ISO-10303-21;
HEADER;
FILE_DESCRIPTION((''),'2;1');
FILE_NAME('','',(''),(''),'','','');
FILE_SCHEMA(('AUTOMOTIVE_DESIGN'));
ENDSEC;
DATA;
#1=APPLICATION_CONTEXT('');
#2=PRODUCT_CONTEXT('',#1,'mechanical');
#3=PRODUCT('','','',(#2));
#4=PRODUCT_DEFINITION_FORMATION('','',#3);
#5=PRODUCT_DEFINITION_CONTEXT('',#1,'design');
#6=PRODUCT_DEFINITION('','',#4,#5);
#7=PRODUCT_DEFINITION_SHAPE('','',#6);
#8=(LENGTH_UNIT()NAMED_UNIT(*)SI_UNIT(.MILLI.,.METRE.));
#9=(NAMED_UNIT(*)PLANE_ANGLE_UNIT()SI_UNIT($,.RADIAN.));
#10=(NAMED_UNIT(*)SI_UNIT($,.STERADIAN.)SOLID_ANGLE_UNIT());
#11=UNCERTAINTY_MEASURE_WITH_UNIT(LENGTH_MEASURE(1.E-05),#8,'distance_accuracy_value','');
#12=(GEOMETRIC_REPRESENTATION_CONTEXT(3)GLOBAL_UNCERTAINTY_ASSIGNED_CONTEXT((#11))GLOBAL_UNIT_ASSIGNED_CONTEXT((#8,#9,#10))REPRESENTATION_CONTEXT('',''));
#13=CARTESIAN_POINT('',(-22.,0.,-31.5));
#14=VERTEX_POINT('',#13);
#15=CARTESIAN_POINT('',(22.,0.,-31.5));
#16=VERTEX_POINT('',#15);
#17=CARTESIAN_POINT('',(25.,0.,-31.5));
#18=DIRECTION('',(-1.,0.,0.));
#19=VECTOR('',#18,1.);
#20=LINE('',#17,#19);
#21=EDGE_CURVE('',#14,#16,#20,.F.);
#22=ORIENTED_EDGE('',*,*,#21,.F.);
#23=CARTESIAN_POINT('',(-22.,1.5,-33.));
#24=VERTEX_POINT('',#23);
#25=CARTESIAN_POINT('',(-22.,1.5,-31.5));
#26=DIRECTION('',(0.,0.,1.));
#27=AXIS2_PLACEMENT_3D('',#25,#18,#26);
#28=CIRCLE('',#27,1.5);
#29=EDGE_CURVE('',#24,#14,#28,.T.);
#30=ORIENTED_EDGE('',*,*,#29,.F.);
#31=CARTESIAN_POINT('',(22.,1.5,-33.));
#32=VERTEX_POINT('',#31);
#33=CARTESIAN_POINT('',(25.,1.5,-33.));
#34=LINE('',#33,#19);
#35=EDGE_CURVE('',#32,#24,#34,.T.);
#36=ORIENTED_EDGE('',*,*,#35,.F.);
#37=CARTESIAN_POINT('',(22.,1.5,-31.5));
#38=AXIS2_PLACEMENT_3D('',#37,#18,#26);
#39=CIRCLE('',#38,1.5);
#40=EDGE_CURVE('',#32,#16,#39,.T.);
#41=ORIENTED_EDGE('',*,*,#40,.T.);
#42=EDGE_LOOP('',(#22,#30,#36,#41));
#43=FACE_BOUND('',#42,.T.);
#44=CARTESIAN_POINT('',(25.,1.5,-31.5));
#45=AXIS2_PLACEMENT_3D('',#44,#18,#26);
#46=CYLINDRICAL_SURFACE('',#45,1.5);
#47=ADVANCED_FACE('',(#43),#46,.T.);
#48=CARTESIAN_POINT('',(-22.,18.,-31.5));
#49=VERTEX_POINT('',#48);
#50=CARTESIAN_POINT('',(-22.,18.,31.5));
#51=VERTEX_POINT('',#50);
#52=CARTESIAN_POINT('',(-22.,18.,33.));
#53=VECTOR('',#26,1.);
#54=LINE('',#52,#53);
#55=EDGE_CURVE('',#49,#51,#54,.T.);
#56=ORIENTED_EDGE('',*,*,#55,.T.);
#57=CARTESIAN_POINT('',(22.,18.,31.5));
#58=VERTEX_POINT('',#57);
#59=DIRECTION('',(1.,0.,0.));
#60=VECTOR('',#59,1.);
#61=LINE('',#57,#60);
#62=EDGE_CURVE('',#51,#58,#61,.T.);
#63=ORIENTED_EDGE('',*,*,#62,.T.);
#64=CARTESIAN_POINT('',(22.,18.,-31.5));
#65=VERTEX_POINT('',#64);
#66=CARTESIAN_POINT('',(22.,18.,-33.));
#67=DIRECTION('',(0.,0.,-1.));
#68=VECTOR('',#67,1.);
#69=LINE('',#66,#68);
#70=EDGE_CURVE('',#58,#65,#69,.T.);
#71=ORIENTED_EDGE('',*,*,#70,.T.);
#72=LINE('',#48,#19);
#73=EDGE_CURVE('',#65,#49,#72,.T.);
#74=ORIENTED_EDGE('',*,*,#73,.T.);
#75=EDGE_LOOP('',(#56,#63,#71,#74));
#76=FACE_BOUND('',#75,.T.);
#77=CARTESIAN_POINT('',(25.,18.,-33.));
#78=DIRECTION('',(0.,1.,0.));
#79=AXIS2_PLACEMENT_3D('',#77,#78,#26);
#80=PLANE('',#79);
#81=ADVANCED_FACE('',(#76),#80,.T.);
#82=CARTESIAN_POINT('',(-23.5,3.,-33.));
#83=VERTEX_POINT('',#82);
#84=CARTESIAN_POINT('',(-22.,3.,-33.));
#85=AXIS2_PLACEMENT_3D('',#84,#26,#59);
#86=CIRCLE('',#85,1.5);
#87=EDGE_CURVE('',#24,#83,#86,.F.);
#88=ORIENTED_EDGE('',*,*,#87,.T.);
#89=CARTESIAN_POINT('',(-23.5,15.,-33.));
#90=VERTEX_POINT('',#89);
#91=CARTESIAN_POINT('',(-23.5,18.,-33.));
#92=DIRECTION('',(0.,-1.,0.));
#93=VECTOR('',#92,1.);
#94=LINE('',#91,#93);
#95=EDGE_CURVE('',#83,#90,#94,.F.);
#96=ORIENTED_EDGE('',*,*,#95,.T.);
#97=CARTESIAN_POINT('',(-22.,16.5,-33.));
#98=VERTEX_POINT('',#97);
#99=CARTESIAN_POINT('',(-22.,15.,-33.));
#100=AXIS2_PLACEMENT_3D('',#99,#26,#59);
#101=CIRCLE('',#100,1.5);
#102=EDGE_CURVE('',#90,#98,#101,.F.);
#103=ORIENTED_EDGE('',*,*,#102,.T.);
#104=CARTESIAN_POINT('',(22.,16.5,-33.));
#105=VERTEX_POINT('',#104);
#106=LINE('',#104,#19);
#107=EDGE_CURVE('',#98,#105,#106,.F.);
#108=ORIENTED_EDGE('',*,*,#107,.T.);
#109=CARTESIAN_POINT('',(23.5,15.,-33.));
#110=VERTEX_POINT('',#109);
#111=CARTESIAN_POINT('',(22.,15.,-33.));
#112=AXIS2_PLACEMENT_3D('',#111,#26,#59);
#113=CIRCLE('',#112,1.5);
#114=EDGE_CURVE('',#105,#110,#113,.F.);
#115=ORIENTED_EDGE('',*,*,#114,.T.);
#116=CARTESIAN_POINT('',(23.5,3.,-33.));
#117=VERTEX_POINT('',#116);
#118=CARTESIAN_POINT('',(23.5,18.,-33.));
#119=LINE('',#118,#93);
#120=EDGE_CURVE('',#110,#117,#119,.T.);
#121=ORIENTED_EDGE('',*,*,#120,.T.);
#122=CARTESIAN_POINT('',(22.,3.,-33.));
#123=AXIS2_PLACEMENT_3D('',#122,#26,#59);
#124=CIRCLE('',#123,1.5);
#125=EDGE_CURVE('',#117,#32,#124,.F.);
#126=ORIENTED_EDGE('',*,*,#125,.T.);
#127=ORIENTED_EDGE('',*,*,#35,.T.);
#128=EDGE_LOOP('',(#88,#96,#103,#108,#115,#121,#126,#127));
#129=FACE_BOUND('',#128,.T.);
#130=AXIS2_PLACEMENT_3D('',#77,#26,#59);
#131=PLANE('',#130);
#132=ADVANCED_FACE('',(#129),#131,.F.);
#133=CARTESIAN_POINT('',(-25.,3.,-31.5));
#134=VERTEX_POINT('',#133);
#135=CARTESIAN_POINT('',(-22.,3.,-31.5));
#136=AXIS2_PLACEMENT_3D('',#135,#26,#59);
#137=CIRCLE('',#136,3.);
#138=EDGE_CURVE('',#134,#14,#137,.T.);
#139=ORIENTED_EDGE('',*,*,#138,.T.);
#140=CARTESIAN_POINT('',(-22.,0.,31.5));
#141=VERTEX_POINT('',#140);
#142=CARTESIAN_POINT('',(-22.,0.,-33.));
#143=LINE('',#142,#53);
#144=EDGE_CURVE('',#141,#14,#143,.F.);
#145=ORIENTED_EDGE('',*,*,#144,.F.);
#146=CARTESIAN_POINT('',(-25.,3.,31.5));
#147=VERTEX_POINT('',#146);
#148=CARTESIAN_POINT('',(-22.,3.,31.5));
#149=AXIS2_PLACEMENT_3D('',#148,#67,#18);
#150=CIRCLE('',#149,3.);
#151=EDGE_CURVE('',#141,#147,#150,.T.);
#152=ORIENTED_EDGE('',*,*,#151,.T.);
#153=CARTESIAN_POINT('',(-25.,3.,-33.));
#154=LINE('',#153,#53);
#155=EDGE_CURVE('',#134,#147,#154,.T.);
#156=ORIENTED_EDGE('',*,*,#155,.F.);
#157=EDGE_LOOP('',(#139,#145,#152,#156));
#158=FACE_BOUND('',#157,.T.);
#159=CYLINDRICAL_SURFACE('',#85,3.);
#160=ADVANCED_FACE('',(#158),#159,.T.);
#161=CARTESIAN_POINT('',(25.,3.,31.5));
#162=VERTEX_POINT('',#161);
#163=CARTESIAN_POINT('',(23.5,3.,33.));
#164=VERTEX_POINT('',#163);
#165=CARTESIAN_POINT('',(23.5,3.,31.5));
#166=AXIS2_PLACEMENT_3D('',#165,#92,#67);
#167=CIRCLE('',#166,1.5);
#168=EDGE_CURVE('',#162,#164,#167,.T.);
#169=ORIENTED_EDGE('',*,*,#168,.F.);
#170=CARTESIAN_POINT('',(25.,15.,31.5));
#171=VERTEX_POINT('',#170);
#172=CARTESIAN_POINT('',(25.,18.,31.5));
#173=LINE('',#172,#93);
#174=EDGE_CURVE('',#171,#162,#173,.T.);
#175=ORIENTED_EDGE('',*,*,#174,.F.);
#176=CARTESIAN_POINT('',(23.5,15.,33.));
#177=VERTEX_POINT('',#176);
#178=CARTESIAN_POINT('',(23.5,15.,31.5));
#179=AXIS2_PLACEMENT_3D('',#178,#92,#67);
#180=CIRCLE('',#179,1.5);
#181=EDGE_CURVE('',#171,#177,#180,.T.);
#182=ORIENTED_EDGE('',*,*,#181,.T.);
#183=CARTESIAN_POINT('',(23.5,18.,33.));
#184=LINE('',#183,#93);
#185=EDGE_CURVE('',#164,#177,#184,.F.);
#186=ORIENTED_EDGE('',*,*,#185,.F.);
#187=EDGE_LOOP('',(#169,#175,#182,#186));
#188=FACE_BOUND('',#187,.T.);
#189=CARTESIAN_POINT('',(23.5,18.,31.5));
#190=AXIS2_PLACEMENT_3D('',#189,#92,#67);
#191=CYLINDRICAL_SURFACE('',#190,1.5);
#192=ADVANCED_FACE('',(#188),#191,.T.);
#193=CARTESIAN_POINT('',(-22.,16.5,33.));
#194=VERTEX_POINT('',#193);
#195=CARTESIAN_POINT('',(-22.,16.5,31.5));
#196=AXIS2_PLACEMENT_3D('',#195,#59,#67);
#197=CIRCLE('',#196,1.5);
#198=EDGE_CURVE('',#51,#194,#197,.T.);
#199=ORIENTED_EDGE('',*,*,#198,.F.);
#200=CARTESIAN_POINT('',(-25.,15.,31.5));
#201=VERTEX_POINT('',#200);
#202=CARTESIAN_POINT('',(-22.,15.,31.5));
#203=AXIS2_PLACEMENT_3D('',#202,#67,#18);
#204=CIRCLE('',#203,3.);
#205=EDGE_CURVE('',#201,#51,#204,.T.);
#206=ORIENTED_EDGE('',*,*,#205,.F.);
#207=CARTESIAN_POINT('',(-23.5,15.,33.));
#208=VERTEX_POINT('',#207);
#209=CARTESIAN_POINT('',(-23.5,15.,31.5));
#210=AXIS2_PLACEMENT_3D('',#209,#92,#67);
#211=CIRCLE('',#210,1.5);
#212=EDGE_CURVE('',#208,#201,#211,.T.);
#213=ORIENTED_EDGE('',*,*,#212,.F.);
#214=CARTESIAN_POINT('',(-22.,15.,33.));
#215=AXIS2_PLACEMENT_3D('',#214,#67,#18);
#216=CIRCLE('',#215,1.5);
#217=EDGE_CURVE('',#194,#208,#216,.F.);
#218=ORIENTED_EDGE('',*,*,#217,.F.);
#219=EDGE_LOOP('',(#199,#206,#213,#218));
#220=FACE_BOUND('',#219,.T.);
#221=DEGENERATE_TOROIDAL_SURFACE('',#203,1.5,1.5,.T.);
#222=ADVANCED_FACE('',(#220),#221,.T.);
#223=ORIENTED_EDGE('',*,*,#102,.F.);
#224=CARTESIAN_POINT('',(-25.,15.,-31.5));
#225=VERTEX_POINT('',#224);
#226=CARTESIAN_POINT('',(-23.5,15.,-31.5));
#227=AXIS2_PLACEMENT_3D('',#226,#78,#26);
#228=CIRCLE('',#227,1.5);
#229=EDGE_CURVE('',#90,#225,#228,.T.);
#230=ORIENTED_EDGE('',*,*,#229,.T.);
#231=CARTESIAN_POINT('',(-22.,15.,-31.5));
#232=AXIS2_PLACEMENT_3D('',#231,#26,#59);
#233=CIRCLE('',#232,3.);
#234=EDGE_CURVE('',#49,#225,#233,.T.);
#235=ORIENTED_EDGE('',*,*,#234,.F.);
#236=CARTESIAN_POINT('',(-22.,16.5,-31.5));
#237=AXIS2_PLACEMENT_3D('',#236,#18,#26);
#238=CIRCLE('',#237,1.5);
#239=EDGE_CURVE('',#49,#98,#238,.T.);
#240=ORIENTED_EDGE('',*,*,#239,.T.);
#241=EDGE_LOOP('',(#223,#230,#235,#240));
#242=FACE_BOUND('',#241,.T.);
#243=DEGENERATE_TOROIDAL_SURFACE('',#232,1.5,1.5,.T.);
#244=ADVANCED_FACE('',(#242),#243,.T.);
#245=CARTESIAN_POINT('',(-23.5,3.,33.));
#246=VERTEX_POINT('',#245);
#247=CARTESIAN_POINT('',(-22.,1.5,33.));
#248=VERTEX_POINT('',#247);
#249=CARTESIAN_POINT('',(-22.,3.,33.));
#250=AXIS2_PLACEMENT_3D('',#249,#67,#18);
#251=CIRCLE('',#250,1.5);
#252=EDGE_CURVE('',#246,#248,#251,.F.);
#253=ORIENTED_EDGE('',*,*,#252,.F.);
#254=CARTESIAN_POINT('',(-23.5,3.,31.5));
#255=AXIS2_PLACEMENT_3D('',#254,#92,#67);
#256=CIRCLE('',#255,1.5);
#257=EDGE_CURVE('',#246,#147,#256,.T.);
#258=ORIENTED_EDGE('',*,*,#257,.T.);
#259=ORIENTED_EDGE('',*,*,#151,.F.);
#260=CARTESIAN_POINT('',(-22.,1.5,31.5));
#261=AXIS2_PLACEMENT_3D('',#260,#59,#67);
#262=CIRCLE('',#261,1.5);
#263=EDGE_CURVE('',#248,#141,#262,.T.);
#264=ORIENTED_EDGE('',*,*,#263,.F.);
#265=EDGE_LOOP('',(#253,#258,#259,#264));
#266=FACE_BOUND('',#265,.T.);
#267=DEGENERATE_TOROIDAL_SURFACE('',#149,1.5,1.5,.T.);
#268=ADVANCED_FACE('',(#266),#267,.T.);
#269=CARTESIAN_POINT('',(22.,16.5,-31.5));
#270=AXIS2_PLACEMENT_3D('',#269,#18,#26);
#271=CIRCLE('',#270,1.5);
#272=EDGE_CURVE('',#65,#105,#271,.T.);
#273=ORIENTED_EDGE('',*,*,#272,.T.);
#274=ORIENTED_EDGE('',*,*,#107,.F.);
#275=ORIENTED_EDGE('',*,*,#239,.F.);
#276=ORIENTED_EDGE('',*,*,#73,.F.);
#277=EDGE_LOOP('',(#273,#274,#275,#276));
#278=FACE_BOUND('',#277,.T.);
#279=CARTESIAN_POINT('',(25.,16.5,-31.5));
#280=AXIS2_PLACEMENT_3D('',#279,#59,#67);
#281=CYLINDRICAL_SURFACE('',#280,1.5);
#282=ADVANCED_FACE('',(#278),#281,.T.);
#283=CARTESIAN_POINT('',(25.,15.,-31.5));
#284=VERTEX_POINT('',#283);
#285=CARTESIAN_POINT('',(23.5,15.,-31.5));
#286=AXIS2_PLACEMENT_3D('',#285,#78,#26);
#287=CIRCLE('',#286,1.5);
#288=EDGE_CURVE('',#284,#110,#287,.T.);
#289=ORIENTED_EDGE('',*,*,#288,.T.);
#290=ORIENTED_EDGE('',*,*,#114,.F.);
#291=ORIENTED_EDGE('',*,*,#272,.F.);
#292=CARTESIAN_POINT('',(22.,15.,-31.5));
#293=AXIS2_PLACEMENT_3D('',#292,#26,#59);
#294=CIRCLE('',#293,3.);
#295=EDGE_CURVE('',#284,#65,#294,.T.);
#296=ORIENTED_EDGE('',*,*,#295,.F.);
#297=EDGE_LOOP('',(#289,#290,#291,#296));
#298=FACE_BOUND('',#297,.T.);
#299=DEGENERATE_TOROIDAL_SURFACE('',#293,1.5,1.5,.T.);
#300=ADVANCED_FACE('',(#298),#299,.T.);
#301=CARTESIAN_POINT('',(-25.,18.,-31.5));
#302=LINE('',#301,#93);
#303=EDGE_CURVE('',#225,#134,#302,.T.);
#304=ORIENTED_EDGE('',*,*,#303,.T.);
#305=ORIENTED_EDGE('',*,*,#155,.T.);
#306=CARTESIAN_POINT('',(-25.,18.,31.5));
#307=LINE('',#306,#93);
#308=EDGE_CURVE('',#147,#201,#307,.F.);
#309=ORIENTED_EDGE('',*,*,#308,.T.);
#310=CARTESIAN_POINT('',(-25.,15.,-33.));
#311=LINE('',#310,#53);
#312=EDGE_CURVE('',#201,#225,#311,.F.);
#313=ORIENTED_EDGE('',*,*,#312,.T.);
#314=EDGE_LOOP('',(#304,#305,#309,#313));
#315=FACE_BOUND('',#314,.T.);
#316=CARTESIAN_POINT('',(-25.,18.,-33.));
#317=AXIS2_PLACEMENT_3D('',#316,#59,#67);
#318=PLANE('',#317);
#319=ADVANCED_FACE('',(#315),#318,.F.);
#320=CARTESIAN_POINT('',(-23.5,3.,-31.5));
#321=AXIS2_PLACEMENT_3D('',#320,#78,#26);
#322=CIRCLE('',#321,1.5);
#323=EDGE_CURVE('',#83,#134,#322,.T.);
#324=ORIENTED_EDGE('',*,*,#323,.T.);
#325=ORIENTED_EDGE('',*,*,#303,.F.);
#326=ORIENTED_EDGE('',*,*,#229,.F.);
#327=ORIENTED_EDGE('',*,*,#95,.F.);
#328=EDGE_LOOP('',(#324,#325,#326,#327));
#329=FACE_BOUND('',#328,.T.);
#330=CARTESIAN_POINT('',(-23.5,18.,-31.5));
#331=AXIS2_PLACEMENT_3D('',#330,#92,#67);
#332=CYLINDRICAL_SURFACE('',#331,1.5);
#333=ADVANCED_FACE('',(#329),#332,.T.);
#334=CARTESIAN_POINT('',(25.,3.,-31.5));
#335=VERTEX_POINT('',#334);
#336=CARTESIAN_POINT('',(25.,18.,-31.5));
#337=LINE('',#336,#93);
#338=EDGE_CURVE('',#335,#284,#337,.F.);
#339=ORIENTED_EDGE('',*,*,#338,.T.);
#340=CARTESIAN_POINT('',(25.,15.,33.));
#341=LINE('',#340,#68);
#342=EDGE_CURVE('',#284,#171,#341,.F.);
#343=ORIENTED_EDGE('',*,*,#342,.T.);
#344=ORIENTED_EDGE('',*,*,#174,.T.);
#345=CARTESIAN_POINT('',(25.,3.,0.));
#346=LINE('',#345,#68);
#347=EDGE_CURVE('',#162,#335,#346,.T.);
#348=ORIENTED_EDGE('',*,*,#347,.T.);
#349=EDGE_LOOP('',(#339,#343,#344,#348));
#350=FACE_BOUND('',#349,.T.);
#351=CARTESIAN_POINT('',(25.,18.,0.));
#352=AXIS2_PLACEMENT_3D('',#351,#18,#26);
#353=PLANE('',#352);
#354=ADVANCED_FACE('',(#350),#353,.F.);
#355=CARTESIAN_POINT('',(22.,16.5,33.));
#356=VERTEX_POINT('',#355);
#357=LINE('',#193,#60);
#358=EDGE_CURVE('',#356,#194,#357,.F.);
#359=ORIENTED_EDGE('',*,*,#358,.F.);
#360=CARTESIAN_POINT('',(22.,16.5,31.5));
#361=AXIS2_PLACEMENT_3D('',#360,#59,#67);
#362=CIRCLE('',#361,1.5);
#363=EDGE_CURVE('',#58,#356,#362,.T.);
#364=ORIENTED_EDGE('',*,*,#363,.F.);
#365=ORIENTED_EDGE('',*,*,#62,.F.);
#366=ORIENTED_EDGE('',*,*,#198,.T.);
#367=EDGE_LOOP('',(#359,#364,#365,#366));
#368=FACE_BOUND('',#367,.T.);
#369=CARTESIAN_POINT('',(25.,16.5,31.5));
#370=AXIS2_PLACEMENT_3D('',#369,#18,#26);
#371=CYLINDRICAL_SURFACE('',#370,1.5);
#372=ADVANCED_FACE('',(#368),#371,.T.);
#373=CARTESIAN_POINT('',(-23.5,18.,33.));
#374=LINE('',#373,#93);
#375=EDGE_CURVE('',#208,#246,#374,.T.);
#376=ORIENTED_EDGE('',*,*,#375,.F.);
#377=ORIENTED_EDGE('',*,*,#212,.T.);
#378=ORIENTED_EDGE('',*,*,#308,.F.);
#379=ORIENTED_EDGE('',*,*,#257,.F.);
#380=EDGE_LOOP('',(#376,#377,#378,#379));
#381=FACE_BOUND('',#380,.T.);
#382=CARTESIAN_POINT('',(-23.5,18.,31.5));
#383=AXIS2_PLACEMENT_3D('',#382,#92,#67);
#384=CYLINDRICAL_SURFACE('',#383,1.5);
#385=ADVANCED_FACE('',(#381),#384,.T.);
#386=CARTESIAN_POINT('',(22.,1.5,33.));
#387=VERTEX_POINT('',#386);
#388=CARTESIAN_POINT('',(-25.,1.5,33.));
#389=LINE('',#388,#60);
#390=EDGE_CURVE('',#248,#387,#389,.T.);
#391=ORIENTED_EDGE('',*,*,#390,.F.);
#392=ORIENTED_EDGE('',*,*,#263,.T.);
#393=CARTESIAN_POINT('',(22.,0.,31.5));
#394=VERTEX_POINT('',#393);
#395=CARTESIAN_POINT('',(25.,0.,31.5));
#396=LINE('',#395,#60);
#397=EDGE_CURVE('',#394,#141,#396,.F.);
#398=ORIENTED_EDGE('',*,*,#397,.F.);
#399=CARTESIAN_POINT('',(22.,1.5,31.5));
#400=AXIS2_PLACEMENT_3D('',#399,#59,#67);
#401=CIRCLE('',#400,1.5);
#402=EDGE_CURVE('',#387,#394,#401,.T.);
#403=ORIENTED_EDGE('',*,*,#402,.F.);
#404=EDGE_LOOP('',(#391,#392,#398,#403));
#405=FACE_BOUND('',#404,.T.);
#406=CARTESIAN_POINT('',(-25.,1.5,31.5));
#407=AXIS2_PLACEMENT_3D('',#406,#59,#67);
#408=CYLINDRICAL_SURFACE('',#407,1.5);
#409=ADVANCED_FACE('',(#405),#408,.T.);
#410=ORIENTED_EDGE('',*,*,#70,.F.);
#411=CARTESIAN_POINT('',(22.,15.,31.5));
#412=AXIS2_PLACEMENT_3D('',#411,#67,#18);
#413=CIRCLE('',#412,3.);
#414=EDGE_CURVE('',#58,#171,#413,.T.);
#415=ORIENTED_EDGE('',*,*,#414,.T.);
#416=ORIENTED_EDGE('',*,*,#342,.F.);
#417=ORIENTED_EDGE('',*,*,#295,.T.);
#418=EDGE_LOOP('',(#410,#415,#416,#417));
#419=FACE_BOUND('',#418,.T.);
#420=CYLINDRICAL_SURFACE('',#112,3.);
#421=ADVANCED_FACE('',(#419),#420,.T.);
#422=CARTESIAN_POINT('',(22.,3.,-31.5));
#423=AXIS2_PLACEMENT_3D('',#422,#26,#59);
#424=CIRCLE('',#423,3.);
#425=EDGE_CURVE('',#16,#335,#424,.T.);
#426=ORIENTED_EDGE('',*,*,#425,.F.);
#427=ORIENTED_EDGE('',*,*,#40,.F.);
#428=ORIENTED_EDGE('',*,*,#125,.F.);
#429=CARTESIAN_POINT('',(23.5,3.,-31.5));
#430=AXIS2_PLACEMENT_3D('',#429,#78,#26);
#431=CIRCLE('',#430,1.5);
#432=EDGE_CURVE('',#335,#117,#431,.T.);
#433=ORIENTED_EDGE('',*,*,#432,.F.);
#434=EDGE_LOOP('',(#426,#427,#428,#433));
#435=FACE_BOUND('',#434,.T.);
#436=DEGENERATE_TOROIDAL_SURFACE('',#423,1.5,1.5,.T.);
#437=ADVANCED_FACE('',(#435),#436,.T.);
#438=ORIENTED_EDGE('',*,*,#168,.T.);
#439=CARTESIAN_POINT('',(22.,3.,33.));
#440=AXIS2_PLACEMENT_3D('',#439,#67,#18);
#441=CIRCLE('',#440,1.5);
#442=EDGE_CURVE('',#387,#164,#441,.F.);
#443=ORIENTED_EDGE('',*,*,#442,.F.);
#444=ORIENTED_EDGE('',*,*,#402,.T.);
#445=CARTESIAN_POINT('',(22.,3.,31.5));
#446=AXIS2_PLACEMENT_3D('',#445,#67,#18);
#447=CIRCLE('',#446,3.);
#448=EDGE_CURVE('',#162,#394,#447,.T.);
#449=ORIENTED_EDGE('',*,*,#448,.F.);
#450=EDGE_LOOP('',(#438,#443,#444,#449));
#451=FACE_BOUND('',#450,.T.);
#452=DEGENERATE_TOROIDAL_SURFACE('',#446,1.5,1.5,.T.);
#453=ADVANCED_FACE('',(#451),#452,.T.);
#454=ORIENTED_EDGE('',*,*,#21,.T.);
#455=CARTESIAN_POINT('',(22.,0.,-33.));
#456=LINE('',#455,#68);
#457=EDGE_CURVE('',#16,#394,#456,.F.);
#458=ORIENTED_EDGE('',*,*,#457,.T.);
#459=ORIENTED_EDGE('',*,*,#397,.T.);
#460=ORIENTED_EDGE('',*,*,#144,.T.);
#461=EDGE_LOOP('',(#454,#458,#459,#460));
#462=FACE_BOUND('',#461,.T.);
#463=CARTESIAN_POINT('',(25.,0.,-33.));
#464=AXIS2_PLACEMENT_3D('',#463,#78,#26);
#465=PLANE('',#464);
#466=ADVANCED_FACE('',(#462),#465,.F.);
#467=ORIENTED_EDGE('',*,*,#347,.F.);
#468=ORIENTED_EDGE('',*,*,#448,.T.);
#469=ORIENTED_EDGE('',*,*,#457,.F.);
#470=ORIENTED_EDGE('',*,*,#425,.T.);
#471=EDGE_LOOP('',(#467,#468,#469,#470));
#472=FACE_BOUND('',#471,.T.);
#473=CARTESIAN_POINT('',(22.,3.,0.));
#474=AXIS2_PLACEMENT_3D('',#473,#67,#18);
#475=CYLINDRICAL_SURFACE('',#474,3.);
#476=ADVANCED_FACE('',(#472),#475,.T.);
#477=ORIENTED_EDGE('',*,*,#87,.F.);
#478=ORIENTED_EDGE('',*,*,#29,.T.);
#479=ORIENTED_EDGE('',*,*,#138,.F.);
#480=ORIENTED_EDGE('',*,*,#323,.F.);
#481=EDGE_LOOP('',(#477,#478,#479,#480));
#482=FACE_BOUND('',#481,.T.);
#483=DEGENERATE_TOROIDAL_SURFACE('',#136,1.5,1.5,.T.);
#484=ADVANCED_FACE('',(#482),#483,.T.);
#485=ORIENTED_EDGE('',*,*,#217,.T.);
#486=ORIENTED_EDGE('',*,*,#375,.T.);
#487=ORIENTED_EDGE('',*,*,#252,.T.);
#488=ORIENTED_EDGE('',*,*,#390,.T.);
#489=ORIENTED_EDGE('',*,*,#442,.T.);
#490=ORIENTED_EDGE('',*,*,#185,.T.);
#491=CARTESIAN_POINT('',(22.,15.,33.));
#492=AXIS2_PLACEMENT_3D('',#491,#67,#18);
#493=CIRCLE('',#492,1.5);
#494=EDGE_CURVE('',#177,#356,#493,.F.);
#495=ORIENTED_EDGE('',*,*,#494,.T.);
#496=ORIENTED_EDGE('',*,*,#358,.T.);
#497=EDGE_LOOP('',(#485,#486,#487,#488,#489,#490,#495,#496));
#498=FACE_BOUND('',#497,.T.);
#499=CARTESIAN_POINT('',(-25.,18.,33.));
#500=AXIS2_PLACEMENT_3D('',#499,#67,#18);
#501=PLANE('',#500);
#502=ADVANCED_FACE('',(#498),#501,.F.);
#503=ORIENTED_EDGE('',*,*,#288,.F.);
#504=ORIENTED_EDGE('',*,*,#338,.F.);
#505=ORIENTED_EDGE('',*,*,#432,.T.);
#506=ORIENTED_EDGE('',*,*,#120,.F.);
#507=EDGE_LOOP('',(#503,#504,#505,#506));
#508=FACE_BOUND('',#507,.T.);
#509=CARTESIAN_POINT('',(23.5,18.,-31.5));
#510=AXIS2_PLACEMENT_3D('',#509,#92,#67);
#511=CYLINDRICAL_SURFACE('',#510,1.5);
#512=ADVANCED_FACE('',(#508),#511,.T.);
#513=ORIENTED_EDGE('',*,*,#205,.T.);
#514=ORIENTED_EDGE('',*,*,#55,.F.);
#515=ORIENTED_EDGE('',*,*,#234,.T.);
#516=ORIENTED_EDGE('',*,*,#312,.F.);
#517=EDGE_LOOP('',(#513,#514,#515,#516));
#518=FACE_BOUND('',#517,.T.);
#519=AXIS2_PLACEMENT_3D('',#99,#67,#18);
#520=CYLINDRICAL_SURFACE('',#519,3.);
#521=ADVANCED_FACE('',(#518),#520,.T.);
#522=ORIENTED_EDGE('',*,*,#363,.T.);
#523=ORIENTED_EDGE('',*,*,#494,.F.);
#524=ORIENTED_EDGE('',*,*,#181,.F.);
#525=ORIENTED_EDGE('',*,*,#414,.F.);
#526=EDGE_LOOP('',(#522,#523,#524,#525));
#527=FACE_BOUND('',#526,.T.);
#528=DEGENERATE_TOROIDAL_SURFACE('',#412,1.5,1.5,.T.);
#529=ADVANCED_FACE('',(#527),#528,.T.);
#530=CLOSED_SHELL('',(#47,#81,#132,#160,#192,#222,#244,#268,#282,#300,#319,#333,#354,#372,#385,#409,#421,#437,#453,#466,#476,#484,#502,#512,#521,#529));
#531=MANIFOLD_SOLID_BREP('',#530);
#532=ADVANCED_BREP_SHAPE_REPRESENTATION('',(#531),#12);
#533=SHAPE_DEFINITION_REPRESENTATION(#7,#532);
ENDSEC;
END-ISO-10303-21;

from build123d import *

# Parameters (mm, degrees)
BOSS_EXTRUDE1_DEPTH = 18
FILLET1_R           = 3
FILLET2_R           = 1.5


with BuildPart() as part:
    # Sketch1 → Boss-Extrude1 (new body)
    with BuildSketch(Plane(origin=(0, 0, 0), x_dir=(1, 0, 0), z_dir=(0, 1, 0))):
        Polygon((25, 0), (25, 33), (-25, 33), (-25, -33), (25, -33), align=None)
    extrude(amount=BOSS_EXTRUDE1_DEPTH)

    # Fillet1
    fillet1_edges = [part.edges().sort_by_distance(p)[0] for p in [
        (-25, 18, 0),
        (25, 18, 0),
        (-25, 0, 0),
        (25, 0, 0),
    ]]
    fillet(fillet1_edges, radius=FILLET1_R)

    # Fillet2
    fillet2_edges = [part.edges().sort_by_distance(p)[0] for p in [
        (0, 18, -33),
        (0, 18, 33),
        (0, 0, -33),
        (-25, 9, -33),
        (25, 9, -33),
        (24.121320344, 0.878679656, -33),
        (-24.121320344, 0.878679656, -33),
        (-24.121320344, 17.121320344, -33),
        (24.121320344, 17.121320344, -33),
        (25, 9, 33),
        (0, 0, 33),
        (-25, 9, 33),
        (24.121320344, 0.878679656, 33),
        (-24.121320344, 0.878679656, 33),
        (-24.121320344, 17.121320344, 33),
        (24.121320344, 17.121320344, 33),
    ]]
    fillet(fillet2_edges, radius=FILLET2_R)


solid = part.part
